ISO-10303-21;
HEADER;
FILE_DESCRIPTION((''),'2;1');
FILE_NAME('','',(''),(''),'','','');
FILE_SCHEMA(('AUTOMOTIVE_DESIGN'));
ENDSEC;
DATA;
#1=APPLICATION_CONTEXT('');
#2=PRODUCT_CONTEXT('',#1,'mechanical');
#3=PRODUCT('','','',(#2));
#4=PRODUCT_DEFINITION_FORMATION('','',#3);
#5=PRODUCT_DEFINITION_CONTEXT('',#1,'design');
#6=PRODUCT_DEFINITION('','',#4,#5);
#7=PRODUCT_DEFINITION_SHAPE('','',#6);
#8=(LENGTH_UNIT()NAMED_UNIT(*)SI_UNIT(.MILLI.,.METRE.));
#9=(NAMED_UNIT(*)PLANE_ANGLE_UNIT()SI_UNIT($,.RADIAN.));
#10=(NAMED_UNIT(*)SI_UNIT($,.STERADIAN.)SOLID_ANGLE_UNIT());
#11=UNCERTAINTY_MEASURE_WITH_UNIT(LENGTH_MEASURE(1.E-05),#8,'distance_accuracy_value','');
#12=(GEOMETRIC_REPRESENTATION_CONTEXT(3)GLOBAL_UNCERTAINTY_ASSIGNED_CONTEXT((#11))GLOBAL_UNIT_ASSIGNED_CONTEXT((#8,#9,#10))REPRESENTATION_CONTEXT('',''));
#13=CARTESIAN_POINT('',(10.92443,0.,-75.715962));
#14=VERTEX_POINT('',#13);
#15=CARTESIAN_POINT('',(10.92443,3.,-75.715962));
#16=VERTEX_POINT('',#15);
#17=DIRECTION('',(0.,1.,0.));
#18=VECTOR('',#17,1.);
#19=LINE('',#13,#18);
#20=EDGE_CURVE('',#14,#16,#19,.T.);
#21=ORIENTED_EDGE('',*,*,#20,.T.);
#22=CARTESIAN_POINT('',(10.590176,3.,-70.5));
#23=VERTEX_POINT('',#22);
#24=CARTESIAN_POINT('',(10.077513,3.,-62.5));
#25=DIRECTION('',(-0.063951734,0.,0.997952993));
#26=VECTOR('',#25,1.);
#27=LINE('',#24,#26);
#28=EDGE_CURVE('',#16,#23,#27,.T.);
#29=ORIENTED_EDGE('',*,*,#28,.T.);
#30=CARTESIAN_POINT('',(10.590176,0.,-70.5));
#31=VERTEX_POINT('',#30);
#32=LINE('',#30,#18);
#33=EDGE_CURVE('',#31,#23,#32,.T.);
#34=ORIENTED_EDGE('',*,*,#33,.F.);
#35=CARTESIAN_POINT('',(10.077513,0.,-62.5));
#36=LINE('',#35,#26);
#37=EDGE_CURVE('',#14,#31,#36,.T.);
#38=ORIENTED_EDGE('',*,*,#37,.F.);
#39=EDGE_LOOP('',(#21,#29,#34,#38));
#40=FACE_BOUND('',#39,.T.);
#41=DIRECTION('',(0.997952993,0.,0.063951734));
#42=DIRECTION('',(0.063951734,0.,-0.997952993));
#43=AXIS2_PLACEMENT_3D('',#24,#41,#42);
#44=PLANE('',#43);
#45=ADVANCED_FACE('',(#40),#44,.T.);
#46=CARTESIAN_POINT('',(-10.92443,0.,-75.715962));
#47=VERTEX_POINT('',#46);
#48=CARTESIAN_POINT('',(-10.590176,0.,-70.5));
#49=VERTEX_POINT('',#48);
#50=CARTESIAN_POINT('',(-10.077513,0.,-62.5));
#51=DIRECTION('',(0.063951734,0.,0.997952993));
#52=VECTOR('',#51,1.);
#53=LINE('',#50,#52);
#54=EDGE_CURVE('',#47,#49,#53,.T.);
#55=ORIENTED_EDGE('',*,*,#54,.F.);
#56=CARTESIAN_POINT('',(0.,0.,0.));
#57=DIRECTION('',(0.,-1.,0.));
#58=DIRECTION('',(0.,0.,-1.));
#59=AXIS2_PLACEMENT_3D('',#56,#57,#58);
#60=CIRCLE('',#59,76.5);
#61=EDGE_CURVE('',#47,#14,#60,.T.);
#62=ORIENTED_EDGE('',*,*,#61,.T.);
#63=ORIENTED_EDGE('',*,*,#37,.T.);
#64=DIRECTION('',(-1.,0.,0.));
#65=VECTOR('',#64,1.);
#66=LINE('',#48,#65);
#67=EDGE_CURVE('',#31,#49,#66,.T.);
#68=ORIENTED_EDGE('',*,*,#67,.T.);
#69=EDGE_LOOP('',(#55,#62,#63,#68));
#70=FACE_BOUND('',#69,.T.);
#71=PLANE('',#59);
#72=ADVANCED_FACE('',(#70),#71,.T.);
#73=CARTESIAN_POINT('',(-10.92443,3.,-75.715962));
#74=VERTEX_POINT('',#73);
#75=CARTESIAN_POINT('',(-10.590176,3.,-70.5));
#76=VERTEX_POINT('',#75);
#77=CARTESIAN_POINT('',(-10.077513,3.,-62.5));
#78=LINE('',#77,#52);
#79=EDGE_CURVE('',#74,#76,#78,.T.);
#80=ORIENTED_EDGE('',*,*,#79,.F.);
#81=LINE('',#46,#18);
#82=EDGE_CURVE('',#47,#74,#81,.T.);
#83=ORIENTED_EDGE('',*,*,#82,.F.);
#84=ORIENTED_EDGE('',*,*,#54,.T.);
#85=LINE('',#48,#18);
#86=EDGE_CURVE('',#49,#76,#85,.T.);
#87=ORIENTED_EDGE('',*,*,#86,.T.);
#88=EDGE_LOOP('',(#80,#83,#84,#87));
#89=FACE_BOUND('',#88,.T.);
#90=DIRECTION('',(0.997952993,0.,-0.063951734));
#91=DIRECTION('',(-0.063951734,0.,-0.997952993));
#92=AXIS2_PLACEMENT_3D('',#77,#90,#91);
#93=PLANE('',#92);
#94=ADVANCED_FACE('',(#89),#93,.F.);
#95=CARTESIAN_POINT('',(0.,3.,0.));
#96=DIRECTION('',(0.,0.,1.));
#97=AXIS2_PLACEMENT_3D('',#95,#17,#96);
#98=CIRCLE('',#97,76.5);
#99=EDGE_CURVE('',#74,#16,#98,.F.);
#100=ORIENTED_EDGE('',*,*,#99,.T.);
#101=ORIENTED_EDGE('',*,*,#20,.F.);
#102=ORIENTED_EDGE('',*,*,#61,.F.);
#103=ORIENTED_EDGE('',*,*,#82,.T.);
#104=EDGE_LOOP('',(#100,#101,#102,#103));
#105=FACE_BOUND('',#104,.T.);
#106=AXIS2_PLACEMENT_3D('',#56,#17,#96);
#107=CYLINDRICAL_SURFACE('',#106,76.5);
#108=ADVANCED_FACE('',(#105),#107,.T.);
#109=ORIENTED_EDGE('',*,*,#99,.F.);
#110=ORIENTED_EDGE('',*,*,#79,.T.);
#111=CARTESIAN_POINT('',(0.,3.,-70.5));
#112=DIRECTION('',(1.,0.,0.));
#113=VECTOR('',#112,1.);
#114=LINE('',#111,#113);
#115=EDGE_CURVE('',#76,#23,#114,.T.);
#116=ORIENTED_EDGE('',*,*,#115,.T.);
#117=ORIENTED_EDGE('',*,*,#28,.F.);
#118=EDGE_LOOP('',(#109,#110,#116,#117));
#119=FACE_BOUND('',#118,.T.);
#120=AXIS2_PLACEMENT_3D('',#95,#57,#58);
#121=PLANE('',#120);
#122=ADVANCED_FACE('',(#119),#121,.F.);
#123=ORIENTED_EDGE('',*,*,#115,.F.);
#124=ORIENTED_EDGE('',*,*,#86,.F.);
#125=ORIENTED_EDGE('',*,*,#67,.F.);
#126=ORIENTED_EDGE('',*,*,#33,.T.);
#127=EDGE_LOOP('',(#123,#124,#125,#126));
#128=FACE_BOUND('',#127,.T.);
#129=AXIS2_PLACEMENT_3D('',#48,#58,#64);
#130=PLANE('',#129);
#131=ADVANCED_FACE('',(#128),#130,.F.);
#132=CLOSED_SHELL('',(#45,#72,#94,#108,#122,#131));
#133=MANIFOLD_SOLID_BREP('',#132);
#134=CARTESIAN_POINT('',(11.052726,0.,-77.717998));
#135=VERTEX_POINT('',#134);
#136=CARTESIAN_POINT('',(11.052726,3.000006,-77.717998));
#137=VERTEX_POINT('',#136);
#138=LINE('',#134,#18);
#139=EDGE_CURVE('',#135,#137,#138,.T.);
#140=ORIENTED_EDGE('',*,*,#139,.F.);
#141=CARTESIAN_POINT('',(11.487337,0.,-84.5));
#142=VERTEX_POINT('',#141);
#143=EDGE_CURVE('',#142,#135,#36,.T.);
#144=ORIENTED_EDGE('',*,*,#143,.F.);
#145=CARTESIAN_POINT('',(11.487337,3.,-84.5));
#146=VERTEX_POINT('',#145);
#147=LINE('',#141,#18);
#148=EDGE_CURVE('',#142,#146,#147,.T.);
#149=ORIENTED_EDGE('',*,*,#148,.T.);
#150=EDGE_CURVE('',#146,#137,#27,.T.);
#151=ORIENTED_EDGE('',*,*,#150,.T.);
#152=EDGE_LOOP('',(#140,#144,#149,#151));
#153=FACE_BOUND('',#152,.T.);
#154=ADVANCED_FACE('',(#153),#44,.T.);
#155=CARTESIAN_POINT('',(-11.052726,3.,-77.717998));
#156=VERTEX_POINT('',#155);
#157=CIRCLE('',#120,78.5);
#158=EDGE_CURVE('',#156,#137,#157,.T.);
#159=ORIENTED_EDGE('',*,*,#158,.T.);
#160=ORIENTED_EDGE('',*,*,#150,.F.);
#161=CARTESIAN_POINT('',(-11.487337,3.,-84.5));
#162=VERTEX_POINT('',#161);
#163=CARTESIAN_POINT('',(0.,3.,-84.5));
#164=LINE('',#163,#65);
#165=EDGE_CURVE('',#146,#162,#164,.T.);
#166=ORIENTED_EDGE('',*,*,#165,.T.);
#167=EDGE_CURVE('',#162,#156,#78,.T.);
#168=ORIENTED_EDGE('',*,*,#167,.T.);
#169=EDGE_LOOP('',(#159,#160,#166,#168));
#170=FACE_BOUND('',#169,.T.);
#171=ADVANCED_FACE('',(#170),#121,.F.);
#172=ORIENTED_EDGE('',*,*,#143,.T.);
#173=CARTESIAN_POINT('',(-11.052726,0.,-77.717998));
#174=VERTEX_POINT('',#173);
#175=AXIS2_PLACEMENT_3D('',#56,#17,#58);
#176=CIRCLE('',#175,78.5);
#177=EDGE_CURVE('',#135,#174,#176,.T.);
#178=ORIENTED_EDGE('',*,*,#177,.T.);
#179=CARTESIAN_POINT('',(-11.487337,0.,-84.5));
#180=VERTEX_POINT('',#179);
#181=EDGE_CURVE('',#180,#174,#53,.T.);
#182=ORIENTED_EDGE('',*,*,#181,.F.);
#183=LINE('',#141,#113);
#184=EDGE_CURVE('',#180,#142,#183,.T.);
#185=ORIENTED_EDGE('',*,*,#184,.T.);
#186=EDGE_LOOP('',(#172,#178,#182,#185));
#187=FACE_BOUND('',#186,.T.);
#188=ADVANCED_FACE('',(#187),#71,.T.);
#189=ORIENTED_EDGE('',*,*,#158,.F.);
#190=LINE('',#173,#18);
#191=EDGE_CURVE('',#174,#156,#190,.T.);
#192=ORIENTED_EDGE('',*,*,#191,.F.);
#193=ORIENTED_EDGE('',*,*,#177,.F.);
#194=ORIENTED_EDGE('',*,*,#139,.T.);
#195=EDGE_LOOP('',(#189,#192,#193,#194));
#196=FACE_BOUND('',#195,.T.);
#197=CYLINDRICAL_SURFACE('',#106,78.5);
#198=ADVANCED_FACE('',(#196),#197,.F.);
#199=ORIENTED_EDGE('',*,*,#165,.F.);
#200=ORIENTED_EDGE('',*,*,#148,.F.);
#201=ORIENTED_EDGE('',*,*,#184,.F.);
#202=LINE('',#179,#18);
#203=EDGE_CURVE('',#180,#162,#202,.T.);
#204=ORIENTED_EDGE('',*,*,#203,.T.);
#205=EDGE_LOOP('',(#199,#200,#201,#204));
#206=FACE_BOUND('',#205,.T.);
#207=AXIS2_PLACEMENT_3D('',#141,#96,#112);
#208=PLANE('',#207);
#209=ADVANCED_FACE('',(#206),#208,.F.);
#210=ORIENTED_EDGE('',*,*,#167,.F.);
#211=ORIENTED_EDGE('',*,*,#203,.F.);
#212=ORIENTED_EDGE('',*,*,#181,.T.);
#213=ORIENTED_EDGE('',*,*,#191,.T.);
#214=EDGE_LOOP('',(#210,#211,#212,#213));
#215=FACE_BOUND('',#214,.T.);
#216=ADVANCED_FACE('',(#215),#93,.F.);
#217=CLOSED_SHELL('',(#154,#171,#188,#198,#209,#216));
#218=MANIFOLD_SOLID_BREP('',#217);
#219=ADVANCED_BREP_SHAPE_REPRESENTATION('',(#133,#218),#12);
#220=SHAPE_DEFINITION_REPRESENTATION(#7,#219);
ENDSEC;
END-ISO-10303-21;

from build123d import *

# Parameters (mm, degrees)
BOSS_EXTRUDE1_DEPTH     = 3
CUT_EXTRUDE4_DEPTH      = 1
CUT_EXTRUDE4_DEPTH_BACK = 4
CUT_EXTRUDE5_DEPTH      = 1
CUT_EXTRUDE5_DEPTH_BACK = 4


with BuildPart() as part:
    # Sketch1 → Boss-Extrude1 (new body)
    with BuildSketch(Plane(origin=(0, 0, 0), x_dir=(1, 0, 0), z_dir=(0, 1, 0))):
        Polygon((-12, 92.5), (0, 92.5), (0, 62.5), (-10.077512647, 62.5), align=None)
    boss_extrude1 = extrude(amount=BOSS_EXTRUDE1_DEPTH)

    # Mirror1: Boss-Extrude1 across plane
    add(boss_extrude1.mirror(Plane(origin=(0, 0, 0), x_dir=(0, 0, 1), z_dir=(1, 0, 0))))

    # Sketch6 → Cut-Extrude4 (cut, two sides)
    with BuildSketch(Plane(origin=(0, 3, 0), x_dir=(1, 0, 0), z_dir=(0, 1, 0))) as cut_extrude4_sk:
        Polygon((-10.590175941, 70.5), (10.590175941, 70.5), (10.077512647, 62.5), (-10.077512647, 62.5), align=None)
        Polygon((11.487336706, 84.5), (-11.487336706, 84.5), (-12, 92.5), (12, 92.5), align=None)
    extrude(amount=CUT_EXTRUDE4_DEPTH, mode=Mode.SUBTRACT)
    extrude(cut_extrude4_sk.sketch, amount=-CUT_EXTRUDE4_DEPTH_BACK, mode=Mode.SUBTRACT)

    # Sketch7 → Cut-Extrude5 (cut, two sides)
    with BuildSketch(Plane(origin=(0, 3, 0), x_dir=(1, 0, 0), z_dir=(0, 1, 0))) as cut_extrude5_sk:
        with BuildLine():
            Line((-11.198534807, 77.697122329), (-10.924429943, 75.71596153))
            ThreePointArc((-10.924429943, 75.71596153), (0, 76.5), (10.924429943, 75.71596153))
            Line((10.924429943, 75.71596153), (11.052726282, 77.717998184))
            ThreePointArc((11.052726282, 77.717998184), (-0.073647687, 78.499965452), (-11.198534807, 77.697122329))
        make_face()
    extrude(amount=CUT_EXTRUDE5_DEPTH, mode=Mode.SUBTRACT)
    extrude(cut_extrude5_sk.sketch, amount=-CUT_EXTRUDE5_DEPTH_BACK, mode=Mode.SUBTRACT)


solid = part.part
